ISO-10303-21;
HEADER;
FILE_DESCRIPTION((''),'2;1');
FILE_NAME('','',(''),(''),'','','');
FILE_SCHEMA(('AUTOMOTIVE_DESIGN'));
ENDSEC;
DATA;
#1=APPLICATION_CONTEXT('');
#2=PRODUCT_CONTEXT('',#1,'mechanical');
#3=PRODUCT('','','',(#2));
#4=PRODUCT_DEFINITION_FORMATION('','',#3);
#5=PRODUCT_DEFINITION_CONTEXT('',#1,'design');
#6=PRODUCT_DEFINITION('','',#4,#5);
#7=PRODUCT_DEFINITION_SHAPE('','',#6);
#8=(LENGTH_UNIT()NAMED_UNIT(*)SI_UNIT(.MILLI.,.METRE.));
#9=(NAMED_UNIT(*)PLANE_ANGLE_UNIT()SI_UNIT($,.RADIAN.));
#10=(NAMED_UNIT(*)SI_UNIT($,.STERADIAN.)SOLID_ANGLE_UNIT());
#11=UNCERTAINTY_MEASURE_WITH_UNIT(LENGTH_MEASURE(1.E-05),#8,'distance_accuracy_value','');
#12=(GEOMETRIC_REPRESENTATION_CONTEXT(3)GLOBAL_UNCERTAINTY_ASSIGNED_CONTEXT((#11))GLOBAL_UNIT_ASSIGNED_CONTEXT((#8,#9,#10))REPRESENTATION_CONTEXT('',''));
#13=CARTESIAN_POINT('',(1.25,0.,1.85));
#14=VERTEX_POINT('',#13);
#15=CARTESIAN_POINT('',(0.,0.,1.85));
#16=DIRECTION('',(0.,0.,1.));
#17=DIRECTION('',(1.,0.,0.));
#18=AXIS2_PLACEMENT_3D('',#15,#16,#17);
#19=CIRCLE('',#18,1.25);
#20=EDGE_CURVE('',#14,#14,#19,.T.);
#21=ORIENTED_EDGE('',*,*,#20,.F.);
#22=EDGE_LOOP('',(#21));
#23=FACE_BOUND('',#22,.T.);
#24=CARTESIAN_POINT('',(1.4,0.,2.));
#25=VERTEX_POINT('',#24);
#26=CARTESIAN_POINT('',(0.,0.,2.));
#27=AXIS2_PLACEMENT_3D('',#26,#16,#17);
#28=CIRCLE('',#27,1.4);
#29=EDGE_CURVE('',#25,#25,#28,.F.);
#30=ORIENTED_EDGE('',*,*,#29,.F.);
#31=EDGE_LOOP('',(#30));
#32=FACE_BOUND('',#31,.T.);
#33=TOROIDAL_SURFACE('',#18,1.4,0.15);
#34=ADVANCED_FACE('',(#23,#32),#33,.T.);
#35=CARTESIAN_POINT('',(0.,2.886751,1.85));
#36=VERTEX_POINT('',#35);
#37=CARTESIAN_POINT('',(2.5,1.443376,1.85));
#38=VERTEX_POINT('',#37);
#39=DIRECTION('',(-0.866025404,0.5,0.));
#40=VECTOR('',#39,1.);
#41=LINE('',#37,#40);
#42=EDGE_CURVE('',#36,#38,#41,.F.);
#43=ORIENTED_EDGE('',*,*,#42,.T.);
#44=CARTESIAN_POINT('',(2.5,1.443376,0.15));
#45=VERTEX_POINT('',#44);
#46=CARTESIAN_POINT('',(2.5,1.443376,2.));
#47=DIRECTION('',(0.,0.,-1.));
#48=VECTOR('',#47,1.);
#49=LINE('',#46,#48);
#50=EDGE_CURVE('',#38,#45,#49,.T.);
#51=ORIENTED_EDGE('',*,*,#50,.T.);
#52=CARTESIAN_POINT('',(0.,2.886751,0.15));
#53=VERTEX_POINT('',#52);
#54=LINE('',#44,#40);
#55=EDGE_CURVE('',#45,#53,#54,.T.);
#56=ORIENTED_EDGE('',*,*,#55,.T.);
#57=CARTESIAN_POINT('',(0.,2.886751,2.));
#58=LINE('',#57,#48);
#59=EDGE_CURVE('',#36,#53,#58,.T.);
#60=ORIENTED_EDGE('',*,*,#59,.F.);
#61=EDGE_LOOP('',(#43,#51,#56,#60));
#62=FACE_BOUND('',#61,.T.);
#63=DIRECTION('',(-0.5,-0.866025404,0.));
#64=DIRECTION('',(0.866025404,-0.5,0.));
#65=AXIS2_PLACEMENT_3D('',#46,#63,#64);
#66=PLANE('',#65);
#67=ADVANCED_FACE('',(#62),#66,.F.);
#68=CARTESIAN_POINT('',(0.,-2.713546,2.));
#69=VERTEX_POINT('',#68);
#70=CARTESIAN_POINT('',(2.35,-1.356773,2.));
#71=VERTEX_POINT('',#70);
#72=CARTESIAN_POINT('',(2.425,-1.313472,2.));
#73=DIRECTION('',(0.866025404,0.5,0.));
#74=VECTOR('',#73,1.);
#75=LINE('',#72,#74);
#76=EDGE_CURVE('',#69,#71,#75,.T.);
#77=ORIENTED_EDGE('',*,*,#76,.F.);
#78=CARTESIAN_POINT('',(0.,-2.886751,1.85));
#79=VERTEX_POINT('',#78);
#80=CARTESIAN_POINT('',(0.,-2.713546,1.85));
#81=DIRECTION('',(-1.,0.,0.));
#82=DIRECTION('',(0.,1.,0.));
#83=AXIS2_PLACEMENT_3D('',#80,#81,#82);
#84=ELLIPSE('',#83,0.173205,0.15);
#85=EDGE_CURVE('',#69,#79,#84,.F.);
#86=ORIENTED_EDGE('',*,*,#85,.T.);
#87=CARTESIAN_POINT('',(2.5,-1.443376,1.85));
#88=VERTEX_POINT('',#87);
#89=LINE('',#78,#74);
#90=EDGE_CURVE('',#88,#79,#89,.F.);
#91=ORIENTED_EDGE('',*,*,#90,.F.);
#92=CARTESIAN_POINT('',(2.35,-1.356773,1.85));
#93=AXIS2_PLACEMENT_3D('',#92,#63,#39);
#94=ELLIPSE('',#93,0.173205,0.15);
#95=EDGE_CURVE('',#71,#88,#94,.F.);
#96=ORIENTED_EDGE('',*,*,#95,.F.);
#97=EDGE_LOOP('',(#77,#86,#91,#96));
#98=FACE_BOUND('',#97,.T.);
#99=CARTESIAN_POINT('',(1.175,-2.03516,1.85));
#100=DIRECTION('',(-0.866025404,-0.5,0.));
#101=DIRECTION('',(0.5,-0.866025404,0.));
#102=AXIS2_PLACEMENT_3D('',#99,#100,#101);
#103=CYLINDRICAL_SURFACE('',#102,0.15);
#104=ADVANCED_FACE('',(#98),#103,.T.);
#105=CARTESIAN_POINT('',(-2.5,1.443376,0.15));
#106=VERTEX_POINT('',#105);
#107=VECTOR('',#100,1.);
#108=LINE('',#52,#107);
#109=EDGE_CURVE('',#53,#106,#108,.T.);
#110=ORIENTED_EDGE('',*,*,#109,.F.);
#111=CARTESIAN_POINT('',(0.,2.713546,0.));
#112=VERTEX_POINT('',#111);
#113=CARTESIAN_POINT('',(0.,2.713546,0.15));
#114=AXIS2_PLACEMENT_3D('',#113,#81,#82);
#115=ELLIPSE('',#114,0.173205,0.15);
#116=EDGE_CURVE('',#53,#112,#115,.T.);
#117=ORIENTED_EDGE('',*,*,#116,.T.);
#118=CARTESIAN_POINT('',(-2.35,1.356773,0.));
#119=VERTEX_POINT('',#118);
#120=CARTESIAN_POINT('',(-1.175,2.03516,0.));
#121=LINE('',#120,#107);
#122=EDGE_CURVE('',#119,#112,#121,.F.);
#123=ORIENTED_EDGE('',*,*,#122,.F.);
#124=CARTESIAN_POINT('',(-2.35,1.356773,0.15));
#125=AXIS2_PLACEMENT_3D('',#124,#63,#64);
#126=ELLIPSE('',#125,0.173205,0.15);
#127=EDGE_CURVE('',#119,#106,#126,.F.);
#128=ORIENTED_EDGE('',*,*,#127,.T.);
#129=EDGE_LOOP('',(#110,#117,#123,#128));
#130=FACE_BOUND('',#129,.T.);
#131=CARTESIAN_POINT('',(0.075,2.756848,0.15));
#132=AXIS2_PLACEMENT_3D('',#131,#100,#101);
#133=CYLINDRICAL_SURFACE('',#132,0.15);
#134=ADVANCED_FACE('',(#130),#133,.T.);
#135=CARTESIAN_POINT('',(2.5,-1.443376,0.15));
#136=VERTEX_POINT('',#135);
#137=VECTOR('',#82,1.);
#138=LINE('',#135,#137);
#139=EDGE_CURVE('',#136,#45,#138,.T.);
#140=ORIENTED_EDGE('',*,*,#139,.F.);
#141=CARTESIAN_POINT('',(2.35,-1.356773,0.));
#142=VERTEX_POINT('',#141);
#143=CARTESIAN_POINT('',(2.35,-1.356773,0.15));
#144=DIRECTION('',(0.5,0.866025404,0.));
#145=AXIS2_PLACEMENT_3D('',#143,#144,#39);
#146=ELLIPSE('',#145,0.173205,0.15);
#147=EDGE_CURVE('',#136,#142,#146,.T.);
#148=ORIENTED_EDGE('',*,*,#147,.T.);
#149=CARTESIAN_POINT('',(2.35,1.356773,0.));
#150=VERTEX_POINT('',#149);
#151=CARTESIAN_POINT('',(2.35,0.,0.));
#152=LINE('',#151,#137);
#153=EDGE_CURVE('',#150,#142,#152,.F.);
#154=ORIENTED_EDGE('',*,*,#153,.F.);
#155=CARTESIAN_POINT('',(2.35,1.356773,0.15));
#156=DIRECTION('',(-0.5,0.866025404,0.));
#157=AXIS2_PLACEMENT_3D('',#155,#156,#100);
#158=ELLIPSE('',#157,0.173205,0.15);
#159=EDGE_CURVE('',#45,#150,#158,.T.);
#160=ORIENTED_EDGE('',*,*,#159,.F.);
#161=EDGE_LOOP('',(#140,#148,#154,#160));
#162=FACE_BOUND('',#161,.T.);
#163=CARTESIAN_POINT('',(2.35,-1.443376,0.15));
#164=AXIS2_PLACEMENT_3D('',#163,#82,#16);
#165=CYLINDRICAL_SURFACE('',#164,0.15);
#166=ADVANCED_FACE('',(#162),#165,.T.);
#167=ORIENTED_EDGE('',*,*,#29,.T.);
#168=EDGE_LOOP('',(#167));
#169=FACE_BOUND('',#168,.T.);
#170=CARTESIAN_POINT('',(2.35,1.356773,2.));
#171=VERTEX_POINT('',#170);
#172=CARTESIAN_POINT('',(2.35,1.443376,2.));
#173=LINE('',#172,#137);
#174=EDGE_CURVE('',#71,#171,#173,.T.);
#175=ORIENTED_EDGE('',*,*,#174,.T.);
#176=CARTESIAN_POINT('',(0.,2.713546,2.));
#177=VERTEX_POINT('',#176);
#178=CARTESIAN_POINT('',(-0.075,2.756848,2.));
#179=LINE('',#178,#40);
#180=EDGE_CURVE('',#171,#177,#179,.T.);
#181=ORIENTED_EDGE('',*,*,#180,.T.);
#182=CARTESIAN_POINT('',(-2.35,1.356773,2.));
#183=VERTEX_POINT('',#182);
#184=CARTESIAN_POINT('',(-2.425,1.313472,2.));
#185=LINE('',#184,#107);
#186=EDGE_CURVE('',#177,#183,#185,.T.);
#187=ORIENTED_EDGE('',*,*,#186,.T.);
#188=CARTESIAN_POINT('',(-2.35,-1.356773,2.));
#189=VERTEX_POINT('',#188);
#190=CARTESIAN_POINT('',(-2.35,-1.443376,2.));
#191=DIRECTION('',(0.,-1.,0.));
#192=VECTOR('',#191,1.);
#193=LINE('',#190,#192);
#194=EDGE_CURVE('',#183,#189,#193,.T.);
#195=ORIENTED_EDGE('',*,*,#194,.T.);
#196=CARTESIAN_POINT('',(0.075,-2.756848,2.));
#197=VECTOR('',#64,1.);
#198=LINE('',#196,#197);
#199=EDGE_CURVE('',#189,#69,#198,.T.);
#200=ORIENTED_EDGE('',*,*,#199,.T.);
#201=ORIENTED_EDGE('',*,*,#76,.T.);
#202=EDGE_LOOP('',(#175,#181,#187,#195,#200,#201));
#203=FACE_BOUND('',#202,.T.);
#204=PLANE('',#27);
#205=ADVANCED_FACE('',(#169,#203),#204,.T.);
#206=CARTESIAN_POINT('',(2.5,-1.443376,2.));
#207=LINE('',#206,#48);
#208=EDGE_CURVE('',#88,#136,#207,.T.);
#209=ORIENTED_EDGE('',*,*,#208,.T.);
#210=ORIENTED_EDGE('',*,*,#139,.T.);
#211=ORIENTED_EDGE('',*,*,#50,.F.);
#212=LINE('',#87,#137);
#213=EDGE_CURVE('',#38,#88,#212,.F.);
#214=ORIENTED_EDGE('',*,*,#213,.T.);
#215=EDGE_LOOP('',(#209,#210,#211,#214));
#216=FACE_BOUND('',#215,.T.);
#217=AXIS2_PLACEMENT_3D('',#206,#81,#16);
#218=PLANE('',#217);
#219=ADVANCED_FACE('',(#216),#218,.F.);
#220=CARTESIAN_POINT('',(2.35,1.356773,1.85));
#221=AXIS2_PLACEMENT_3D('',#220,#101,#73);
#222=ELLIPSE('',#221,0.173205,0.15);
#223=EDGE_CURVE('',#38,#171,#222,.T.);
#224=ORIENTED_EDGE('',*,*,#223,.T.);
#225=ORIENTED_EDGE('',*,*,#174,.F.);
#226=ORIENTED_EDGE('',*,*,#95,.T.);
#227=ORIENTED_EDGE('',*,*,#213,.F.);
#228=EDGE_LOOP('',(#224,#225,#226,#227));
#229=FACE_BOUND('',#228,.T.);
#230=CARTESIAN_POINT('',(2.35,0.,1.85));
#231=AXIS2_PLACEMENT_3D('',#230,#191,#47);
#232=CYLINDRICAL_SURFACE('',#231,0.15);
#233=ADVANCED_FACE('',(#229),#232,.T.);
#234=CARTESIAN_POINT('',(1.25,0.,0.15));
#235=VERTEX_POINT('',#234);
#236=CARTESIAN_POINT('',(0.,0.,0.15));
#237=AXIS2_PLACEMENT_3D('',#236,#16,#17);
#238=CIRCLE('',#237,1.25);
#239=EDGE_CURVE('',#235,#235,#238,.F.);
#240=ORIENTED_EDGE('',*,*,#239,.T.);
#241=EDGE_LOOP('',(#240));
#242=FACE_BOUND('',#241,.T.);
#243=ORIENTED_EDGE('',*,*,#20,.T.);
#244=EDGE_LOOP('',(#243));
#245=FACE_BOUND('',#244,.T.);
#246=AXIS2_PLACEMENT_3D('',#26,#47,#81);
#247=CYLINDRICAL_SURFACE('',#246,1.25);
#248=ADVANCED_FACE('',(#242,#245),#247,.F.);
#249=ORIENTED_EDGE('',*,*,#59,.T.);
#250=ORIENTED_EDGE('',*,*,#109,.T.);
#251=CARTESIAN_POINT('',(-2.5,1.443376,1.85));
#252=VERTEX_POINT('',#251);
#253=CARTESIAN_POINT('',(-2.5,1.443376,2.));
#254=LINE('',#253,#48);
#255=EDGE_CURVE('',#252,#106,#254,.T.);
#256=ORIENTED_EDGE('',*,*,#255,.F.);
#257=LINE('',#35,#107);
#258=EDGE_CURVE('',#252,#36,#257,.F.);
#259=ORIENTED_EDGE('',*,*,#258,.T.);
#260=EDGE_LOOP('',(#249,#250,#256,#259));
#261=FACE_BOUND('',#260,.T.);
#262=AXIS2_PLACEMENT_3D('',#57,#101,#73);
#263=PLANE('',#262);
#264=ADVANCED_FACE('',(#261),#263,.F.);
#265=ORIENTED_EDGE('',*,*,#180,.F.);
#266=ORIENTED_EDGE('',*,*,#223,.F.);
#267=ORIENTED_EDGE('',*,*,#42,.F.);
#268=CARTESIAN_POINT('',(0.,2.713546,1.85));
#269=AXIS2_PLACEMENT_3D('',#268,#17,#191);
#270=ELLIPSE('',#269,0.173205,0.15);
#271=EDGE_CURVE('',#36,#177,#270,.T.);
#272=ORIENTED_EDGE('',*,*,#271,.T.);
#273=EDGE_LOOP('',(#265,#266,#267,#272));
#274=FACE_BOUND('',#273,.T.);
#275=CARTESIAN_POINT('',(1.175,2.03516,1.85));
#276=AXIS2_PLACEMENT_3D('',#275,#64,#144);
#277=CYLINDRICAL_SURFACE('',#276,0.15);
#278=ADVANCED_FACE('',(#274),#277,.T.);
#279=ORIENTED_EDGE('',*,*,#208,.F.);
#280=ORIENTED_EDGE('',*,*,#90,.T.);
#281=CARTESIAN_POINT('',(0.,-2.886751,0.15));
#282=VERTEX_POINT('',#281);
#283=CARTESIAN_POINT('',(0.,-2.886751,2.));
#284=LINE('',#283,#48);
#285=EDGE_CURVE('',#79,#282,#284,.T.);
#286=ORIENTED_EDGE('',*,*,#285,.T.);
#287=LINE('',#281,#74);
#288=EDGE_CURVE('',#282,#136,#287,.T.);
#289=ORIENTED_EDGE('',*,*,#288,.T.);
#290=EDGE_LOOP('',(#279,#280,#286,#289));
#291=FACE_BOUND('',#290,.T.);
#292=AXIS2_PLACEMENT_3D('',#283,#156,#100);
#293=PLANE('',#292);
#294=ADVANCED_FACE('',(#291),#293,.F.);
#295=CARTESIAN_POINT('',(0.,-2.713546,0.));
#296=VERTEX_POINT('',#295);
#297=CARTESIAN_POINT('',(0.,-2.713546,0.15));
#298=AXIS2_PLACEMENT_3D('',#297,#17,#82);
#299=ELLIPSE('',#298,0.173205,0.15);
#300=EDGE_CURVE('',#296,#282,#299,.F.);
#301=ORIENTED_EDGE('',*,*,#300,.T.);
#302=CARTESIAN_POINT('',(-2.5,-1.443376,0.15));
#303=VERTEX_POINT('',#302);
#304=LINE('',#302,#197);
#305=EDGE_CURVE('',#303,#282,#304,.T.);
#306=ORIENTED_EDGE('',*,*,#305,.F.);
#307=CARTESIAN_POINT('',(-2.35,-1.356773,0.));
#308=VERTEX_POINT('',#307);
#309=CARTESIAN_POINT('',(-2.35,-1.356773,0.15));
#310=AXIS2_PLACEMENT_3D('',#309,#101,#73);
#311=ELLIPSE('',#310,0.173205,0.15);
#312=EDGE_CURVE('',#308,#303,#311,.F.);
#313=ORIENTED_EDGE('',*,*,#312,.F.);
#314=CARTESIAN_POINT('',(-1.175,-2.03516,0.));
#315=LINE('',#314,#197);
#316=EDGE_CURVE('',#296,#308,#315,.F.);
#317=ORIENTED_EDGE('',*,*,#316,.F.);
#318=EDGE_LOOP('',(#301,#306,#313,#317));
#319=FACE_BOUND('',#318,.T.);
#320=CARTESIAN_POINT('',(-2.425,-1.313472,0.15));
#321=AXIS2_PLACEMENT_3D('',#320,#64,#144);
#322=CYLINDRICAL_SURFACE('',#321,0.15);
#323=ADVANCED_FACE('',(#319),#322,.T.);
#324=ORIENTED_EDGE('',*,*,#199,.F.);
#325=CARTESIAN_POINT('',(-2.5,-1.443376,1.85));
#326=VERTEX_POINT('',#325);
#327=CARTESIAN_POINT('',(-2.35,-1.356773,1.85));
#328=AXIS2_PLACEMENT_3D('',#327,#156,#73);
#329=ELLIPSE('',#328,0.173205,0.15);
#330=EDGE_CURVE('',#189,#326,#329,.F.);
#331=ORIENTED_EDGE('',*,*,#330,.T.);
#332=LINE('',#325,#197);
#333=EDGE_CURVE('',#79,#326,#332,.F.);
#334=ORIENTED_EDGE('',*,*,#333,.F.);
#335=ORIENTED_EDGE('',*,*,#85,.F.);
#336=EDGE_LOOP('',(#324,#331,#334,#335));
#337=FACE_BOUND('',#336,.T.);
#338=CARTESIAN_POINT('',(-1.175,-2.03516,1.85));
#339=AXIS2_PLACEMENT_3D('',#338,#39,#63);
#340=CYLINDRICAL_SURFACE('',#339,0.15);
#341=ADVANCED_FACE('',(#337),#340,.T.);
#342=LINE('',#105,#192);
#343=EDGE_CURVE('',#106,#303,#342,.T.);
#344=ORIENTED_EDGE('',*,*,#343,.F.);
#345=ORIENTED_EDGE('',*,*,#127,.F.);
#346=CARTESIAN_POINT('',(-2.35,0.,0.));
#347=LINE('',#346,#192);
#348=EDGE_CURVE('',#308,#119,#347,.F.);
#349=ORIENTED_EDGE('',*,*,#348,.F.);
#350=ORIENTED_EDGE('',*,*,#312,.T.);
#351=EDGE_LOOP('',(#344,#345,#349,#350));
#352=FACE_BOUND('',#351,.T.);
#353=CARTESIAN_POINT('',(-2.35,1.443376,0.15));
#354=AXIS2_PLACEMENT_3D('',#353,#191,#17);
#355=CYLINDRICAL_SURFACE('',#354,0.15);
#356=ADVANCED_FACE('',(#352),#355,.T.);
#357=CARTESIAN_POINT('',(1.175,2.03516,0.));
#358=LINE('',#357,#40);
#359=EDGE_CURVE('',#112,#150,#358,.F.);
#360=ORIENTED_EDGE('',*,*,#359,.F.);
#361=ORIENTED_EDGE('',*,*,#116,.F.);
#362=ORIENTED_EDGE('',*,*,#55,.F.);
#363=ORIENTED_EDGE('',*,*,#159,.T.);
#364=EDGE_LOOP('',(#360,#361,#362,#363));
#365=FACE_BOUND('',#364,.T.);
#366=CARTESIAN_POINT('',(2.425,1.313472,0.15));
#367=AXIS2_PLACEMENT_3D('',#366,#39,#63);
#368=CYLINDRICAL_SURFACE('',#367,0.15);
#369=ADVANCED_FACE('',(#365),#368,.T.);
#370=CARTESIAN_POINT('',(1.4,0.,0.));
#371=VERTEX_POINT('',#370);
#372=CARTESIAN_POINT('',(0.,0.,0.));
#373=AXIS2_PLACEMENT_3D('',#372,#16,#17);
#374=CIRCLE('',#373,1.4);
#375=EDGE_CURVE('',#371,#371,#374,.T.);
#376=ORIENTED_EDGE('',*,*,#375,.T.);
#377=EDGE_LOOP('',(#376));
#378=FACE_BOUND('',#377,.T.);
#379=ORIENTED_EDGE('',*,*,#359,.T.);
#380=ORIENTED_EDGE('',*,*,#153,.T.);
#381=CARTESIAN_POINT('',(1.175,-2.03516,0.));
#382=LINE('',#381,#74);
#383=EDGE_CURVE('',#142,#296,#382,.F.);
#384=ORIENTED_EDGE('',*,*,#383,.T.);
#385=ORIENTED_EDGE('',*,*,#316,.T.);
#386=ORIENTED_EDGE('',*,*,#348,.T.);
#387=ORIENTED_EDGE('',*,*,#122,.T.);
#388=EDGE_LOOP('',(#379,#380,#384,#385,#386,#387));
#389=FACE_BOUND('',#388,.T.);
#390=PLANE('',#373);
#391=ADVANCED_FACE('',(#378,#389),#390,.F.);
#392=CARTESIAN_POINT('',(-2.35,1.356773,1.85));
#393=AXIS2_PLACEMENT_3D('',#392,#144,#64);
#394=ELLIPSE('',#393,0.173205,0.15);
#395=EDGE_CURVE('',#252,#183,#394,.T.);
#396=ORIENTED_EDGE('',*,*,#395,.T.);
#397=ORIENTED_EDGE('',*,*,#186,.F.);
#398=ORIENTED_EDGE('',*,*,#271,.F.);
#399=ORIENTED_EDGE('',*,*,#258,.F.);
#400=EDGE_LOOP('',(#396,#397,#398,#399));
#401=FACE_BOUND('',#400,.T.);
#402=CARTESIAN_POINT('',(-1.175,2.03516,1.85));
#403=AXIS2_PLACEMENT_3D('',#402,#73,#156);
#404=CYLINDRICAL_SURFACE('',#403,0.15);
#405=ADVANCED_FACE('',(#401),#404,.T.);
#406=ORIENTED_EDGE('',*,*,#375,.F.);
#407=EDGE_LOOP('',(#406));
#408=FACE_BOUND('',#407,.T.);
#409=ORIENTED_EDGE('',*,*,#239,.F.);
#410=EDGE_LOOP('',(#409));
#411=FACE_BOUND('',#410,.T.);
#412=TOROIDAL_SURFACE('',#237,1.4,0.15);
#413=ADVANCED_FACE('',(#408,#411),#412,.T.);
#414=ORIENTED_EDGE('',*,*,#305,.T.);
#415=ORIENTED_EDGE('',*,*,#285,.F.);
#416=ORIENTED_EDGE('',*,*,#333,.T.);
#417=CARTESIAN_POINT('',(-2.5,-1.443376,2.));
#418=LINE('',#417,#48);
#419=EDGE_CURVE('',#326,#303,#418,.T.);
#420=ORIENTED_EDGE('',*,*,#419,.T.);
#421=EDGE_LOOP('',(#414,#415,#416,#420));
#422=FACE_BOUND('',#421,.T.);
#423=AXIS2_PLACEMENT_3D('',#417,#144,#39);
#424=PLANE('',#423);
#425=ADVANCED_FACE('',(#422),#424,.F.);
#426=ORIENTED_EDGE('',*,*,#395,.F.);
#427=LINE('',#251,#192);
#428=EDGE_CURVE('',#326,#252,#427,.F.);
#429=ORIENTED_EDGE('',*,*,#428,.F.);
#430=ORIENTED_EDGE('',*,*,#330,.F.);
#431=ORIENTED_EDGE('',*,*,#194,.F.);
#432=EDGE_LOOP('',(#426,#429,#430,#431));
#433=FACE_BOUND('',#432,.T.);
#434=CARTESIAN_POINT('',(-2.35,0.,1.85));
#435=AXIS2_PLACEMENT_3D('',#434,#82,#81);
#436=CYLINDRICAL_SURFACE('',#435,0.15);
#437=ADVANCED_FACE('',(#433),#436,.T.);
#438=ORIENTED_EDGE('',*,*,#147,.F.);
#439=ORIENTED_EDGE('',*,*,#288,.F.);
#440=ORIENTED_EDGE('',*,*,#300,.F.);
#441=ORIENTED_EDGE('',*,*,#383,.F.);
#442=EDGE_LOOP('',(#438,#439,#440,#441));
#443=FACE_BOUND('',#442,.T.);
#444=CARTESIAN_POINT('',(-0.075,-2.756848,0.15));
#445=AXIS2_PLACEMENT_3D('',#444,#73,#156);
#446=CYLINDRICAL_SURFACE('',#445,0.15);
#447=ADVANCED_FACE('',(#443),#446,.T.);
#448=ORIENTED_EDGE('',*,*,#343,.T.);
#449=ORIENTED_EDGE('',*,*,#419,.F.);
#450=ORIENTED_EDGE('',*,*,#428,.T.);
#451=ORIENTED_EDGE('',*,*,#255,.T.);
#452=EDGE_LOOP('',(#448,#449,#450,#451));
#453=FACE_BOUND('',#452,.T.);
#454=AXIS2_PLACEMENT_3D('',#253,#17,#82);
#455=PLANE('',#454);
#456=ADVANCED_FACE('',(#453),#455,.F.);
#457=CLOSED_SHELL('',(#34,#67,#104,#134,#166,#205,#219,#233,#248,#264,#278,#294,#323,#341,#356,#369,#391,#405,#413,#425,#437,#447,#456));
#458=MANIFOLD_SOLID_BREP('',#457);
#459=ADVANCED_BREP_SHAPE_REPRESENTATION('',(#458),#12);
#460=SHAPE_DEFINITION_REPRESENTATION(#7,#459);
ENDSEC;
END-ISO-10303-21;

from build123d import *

# Parameters (mm, degrees)
SKETCH1_R           = 1.25
BOSS_EXTRUDE1_DEPTH = 2
FILLET1_R           = 0.15


with BuildPart() as part:
    # Sketch1 → Boss-Extrude1 (new body)
    with BuildSketch(Plane.XY):
        Polygon((0, 2.886751346), (-2.5, 1.443375673), (-2.5, -1.443375673), (0, -2.886751346), (2.5, -1.443375673), (2.5, 1.443375673), align=None)
        Circle(SKETCH1_R, mode=Mode.SUBTRACT)
    extrude(amount=BOSS_EXTRUDE1_DEPTH)

    # Fillet1
    fillet1_edges = [part.edges().sort_by_distance(p)[0] for p in [
        (-2.5, 0, 2),
        (-1.25, -2.165063509, 2),
        (-1.25, 0, 0),
        (-1.25, 0, 2),
        (1.25, -2.165063509, 2),
        (2.5, 0, 2),
        (1.25, 2.165063509, 2),
        (2.5, 0, 0),
        (1.25, -2.165063509, 0),
        (-1.25, -2.165063509, 0),
        (-2.5, 0, 0),
        (-1.25, 2.165063509, 0),
        (1.25, 2.165063509, 0),
        (-1.25, 2.165063509, 2),
    ]]
    fillet(fillet1_edges, radius=FILLET1_R)


solid = part.part
